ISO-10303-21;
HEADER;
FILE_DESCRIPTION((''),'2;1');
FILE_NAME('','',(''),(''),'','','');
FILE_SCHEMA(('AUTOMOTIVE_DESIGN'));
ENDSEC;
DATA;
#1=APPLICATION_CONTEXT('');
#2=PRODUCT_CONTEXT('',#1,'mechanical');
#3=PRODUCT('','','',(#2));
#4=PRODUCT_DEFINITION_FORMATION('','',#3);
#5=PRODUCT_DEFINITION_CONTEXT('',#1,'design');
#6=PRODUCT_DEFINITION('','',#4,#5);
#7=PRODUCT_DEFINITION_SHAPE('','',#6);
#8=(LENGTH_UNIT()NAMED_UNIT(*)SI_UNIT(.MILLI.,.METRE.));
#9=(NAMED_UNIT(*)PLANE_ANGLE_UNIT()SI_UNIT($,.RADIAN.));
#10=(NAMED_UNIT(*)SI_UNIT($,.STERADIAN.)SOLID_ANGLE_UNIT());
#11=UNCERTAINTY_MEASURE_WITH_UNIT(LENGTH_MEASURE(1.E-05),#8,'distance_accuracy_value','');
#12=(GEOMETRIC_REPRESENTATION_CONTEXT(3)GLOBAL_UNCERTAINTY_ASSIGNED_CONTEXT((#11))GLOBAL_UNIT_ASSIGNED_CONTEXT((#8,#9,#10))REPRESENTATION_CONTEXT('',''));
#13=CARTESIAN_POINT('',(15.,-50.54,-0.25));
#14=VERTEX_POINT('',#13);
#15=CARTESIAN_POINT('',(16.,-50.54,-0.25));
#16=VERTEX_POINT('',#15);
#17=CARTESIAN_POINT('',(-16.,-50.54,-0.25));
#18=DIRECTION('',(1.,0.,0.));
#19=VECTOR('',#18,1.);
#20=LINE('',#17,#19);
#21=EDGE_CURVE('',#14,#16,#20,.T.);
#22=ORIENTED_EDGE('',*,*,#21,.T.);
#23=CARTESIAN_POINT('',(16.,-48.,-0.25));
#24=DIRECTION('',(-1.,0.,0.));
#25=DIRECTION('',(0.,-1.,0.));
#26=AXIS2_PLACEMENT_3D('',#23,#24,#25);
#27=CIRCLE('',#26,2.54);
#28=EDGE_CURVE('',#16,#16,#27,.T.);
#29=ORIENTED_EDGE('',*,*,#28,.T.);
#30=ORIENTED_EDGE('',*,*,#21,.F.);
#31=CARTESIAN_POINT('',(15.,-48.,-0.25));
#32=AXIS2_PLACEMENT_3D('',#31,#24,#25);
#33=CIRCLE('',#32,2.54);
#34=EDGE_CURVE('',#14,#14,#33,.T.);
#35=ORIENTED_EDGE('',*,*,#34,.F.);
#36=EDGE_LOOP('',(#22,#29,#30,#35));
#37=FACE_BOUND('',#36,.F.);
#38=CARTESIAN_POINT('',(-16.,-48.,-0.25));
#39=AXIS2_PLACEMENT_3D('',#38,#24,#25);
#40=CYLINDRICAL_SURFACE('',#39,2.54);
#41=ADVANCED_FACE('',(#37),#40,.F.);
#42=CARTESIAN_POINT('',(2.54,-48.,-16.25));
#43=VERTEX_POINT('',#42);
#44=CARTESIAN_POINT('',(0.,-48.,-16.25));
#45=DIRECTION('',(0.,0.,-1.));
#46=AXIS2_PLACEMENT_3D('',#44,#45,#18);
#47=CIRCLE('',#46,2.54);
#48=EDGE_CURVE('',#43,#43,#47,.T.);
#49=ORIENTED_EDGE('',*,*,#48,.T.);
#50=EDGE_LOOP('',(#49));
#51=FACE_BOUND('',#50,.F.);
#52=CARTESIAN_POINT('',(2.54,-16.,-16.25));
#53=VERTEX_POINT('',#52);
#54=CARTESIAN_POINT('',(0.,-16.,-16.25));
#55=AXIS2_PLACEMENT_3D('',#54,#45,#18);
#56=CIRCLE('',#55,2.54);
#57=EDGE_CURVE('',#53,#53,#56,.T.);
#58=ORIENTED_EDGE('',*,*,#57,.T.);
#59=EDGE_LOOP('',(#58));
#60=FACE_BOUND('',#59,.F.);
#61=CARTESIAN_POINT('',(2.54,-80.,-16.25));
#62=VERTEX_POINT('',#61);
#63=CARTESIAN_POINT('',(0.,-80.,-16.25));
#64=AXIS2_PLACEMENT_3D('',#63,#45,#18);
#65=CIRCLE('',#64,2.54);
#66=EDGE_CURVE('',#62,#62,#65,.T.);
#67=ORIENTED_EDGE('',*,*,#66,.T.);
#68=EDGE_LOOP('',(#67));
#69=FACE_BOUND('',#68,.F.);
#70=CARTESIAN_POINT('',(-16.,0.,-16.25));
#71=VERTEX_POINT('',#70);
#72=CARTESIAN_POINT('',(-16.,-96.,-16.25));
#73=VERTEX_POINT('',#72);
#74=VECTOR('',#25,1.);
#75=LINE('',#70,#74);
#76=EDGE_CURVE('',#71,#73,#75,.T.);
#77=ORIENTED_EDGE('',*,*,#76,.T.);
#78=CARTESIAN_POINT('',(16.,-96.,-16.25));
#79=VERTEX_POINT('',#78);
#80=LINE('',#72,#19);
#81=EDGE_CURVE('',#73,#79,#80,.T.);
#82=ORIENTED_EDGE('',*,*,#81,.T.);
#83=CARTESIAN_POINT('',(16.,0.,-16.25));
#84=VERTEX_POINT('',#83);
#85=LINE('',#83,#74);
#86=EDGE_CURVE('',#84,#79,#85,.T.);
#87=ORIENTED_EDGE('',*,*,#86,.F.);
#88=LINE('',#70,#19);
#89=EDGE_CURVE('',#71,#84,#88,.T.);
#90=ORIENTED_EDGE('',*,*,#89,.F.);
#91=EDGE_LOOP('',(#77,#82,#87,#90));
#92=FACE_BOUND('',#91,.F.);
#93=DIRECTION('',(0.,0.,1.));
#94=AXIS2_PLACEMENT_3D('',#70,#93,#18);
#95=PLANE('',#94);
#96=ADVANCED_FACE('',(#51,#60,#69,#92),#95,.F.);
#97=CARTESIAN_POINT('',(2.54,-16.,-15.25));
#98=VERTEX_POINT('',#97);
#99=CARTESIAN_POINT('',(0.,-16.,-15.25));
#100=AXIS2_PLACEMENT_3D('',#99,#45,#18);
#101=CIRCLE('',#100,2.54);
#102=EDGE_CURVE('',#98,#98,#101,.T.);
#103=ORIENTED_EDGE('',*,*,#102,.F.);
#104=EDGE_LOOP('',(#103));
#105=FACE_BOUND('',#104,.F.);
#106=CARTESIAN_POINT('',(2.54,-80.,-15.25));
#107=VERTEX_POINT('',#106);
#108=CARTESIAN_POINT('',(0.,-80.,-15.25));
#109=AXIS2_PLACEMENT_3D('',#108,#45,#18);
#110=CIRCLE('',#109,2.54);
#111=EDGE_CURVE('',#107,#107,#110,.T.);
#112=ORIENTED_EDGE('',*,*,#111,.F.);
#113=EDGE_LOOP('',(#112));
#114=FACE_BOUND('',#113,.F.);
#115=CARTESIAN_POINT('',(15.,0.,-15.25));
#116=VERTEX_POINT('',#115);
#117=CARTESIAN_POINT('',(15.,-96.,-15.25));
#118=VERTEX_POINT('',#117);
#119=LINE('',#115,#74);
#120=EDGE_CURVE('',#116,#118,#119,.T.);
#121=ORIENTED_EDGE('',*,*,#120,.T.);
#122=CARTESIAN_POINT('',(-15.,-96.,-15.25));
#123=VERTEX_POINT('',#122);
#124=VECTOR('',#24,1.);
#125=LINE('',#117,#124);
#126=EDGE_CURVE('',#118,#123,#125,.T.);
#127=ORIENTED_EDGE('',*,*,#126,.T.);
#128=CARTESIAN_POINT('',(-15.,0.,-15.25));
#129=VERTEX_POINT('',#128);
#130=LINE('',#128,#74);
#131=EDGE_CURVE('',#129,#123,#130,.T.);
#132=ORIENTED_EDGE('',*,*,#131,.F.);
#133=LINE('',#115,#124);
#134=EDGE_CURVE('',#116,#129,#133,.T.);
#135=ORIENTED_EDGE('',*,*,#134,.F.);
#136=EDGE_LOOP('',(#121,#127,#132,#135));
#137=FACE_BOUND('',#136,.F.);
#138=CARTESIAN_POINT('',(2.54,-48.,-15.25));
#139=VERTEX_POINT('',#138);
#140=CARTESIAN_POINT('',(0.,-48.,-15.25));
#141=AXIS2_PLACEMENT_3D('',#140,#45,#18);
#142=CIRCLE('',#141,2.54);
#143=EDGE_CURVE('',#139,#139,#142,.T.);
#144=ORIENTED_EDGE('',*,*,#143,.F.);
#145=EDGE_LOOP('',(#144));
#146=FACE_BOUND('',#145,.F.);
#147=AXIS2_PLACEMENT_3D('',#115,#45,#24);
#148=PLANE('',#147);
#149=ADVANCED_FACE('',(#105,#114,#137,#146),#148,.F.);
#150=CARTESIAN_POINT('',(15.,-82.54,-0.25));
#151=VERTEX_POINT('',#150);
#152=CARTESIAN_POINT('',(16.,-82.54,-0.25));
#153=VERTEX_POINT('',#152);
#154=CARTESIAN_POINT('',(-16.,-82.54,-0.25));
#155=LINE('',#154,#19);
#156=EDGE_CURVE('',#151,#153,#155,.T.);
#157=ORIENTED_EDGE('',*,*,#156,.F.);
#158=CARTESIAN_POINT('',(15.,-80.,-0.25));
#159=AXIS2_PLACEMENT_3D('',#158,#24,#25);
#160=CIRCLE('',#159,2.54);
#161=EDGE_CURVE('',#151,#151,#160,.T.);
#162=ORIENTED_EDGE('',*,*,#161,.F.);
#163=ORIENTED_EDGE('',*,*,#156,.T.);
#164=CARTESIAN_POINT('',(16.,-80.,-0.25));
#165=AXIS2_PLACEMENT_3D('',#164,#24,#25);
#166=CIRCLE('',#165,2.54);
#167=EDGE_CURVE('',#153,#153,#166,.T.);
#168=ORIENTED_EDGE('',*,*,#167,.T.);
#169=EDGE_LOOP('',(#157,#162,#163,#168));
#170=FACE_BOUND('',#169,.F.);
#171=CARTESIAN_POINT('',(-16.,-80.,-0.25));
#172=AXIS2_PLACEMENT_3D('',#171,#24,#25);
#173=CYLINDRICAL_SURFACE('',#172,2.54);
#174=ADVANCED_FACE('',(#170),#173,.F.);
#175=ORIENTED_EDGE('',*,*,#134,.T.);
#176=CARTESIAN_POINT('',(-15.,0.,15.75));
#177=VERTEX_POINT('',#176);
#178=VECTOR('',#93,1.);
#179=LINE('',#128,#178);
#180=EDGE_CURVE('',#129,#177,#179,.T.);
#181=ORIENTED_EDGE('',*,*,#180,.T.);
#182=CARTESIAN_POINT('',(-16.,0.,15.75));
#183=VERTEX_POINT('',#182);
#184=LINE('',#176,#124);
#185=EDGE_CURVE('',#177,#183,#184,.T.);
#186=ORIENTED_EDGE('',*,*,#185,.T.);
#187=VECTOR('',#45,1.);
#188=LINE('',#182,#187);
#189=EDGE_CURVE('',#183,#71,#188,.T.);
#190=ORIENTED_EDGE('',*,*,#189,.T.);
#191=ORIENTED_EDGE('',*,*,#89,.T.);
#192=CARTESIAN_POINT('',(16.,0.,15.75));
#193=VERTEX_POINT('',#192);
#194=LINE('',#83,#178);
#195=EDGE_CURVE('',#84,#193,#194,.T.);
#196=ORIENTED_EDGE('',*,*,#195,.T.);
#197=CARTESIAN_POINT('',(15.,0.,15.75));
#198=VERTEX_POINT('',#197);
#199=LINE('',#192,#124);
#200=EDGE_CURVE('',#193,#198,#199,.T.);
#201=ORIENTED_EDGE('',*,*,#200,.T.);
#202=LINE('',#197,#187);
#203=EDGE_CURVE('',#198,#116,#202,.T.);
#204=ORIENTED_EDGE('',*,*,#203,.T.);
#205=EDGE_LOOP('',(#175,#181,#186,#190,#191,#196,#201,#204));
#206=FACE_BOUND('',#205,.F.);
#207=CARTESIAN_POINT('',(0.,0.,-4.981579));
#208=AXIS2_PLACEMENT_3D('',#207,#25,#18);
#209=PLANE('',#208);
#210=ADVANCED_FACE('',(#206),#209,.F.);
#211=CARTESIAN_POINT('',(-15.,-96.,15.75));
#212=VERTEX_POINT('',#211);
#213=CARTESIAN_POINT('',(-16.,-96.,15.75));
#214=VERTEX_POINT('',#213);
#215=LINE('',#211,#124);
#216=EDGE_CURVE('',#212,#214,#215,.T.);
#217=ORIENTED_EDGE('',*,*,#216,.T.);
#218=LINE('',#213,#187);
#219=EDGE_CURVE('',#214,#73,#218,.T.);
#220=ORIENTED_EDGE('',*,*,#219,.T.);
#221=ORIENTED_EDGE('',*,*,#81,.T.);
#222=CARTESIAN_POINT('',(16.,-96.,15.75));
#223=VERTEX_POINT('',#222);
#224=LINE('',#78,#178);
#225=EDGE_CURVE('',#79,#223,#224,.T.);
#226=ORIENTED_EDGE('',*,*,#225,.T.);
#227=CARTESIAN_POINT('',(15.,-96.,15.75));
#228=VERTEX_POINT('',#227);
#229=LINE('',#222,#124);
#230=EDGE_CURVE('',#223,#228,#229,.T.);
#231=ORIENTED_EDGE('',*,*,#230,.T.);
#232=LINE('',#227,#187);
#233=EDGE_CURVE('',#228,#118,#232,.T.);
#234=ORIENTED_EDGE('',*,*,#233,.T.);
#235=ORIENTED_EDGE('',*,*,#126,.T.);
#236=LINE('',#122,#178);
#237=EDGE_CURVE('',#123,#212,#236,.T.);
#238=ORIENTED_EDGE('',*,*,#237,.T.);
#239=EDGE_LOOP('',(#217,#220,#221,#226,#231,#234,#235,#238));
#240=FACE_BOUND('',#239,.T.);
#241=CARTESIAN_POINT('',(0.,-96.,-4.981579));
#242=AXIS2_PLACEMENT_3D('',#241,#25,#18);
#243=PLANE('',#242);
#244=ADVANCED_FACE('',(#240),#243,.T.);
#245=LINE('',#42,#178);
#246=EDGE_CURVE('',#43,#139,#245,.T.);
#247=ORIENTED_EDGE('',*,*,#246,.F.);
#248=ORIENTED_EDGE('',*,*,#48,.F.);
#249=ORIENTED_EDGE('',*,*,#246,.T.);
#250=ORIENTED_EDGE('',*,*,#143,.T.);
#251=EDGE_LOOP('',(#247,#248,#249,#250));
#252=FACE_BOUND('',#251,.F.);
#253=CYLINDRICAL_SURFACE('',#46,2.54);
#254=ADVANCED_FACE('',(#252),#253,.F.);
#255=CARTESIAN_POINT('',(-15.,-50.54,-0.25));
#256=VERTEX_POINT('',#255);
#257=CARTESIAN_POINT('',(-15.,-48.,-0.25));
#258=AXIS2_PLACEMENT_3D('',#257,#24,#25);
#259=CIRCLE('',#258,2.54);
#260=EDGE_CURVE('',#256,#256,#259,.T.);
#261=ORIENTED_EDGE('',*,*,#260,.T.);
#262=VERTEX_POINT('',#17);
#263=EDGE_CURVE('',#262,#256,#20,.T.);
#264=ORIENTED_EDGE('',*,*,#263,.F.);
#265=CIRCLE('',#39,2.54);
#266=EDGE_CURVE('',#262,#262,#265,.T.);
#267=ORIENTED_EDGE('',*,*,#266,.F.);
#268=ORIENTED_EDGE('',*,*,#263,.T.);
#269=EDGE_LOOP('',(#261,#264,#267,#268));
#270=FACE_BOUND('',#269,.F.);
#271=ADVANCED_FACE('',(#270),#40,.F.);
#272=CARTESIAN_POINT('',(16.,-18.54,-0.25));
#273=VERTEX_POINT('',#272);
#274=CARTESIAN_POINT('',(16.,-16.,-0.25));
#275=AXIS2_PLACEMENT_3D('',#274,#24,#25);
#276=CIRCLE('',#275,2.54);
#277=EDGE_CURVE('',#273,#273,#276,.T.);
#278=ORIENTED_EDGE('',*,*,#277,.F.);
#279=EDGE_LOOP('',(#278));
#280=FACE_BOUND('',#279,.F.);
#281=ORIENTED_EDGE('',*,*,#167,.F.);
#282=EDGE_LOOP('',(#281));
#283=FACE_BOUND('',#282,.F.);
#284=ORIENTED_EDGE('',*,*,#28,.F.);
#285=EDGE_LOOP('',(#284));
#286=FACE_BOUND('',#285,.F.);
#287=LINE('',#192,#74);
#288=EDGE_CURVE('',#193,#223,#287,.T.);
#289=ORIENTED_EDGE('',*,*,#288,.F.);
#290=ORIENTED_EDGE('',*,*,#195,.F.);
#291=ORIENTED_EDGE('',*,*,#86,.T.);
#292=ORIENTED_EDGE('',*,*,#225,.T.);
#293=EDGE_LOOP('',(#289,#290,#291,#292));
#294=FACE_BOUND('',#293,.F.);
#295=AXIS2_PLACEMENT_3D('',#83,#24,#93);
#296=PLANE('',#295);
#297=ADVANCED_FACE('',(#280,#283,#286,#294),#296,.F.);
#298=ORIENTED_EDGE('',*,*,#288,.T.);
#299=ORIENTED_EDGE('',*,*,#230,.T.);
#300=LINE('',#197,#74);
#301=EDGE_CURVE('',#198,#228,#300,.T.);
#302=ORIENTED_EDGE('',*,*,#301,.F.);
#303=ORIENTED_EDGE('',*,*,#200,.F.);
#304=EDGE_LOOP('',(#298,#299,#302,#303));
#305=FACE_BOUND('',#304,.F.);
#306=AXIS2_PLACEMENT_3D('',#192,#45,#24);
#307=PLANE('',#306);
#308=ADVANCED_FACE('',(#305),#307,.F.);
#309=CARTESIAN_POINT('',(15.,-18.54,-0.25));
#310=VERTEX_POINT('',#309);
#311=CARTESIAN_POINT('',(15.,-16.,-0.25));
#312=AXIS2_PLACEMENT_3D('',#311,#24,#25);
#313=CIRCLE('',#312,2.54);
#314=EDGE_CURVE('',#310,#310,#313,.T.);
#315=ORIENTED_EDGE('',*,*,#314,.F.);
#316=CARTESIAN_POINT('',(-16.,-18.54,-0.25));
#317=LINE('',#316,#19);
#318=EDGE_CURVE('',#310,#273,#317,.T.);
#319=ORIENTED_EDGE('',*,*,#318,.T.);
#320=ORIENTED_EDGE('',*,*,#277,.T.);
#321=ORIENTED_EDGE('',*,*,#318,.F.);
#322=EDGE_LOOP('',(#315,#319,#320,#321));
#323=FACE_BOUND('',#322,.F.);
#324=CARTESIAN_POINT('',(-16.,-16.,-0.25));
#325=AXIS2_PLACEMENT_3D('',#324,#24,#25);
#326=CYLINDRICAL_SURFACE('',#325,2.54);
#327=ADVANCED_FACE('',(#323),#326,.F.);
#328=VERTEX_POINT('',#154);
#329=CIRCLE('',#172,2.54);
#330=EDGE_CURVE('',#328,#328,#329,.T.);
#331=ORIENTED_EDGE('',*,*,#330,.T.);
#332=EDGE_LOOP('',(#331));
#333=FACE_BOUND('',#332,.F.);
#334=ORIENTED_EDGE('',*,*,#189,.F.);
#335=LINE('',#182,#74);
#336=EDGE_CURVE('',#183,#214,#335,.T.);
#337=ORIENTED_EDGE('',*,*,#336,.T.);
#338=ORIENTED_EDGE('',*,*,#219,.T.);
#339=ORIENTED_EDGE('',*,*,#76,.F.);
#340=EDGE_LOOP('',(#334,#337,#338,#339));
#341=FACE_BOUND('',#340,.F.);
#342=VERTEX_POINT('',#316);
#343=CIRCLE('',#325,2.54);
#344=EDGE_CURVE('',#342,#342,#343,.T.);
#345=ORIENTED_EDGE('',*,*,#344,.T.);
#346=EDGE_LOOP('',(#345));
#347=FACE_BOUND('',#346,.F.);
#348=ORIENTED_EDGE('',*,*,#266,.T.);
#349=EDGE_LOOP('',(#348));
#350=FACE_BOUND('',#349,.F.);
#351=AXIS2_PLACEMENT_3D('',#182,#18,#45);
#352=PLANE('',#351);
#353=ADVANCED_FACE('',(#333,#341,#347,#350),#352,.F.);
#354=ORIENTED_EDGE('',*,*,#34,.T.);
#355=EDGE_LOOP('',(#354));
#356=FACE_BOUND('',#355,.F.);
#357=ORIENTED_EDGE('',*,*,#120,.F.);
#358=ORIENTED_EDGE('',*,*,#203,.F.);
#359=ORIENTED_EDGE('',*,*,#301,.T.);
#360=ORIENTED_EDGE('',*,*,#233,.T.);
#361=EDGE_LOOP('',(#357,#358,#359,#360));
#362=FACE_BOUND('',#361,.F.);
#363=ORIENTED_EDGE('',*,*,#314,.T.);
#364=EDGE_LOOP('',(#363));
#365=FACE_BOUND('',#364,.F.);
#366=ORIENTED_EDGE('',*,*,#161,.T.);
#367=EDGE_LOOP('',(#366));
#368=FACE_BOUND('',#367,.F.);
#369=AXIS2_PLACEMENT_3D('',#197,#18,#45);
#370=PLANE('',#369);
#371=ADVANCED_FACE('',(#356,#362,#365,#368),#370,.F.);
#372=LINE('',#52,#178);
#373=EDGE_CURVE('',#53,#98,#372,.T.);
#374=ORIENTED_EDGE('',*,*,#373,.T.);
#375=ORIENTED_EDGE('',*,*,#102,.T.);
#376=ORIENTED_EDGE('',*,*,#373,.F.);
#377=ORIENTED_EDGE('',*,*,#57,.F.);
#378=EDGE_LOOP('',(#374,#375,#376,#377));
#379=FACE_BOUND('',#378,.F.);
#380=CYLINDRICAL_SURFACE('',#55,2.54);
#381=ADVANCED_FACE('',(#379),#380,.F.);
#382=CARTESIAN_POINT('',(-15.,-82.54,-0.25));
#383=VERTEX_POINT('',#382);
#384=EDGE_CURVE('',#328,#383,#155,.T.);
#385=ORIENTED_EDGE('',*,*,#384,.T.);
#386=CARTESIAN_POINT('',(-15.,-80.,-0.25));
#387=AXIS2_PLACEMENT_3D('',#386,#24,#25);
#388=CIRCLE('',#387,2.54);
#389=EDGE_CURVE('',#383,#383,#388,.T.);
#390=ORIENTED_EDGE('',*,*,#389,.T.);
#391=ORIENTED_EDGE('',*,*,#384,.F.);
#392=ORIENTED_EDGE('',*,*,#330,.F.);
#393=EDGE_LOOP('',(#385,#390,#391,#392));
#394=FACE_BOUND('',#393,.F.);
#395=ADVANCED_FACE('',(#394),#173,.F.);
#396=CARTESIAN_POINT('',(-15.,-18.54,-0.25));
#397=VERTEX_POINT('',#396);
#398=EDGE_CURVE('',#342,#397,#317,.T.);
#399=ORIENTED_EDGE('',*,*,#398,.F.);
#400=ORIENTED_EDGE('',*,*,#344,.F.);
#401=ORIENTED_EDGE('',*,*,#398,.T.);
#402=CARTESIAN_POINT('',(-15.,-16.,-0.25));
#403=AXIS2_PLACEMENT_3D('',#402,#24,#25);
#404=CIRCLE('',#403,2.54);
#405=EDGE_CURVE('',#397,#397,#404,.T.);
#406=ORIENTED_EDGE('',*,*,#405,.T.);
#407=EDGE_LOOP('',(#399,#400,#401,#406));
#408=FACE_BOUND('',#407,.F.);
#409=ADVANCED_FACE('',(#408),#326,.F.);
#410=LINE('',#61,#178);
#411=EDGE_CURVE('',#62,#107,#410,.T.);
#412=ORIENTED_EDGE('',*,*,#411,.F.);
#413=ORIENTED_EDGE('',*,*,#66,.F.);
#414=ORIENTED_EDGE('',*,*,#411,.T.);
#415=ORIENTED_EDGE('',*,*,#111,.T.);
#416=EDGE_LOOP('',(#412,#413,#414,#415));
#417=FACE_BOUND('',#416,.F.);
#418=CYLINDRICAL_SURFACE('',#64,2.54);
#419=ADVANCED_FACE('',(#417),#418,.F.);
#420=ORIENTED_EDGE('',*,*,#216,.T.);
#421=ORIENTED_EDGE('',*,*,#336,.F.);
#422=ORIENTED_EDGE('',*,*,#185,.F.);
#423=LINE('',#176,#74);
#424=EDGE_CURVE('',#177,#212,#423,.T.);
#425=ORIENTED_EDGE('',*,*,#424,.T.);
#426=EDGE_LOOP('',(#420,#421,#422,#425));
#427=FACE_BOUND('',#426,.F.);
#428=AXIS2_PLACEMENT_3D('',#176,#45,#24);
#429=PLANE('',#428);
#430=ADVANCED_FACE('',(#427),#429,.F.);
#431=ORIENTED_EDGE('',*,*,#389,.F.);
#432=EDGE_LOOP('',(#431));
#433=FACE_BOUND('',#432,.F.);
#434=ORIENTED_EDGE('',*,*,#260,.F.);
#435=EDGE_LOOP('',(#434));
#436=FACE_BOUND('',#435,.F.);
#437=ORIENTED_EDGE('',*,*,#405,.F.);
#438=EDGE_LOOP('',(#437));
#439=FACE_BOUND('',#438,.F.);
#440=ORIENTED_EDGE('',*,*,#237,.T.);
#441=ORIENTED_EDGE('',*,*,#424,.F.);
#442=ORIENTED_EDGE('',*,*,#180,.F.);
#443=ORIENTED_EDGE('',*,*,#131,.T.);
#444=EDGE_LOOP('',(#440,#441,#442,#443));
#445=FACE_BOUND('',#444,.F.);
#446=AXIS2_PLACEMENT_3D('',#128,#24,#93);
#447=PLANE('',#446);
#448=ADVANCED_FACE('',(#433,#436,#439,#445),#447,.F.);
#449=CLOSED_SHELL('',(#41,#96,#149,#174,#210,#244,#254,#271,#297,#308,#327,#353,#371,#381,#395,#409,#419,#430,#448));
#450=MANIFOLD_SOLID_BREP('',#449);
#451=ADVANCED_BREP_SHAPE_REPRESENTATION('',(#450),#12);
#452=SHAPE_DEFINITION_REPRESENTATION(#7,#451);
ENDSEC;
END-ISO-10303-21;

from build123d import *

# Parameters (mm, degrees)
F1_DEPTH = 96
F2_R     = 2.54
F3_DEPTH = 50.8
F4_R     = 2.54
F5_DEPTH = 50.8
F6_R     = 2.54
F7_DEPTH = 25.4


with BuildPart() as f1:
    # F0 (on Front) → F1 (new body)
    with BuildSketch(Plane.XZ):
        Polygon((-15, 15.75), (-16, 15.75), (-16, -16.25), (16, -16.25), (16, 15.75), (15, 15.75), (15, -15.25), (-15, -15.25), align=None)
    extrude(amount=F1_DEPTH)

    # F2 (on face) → F3 (cut)
    with BuildSketch(Plane(origin=(-16, 0, 0), x_dir=(0, -1, 0), z_dir=(-1, 0, 0))):
        with Locations((16, -0.25)):
            Circle(F2_R)
    extrude(amount=-F3_DEPTH, mode=Mode.SUBTRACT)

    # F4 (on face) → F5 (cut)
    with BuildSketch(Plane(origin=(-16, 0, 0), x_dir=(0, -1, 0), z_dir=(-1, 0, 0))):
        with Locations((48, -0.25)):
            Circle(F4_R)
        with Locations((80, -0.25)):
            Circle(F4_R)
    extrude(amount=-F5_DEPTH, mode=Mode.SUBTRACT)

    # F6 (on face) → F7 (cut)
    with BuildSketch(Plane(origin=(0, 0, -16.25), x_dir=(1, 0, 0), z_dir=(0, 0, -1))):
        with Locations((0, 80)):
            Circle(F6_R)
        with Locations((0, 48)):
            Circle(F6_R)
        with Locations((0, 16)):
            Circle(F6_R)
    extrude(amount=-F7_DEPTH, mode=Mode.SUBTRACT)


solid = f1.part
